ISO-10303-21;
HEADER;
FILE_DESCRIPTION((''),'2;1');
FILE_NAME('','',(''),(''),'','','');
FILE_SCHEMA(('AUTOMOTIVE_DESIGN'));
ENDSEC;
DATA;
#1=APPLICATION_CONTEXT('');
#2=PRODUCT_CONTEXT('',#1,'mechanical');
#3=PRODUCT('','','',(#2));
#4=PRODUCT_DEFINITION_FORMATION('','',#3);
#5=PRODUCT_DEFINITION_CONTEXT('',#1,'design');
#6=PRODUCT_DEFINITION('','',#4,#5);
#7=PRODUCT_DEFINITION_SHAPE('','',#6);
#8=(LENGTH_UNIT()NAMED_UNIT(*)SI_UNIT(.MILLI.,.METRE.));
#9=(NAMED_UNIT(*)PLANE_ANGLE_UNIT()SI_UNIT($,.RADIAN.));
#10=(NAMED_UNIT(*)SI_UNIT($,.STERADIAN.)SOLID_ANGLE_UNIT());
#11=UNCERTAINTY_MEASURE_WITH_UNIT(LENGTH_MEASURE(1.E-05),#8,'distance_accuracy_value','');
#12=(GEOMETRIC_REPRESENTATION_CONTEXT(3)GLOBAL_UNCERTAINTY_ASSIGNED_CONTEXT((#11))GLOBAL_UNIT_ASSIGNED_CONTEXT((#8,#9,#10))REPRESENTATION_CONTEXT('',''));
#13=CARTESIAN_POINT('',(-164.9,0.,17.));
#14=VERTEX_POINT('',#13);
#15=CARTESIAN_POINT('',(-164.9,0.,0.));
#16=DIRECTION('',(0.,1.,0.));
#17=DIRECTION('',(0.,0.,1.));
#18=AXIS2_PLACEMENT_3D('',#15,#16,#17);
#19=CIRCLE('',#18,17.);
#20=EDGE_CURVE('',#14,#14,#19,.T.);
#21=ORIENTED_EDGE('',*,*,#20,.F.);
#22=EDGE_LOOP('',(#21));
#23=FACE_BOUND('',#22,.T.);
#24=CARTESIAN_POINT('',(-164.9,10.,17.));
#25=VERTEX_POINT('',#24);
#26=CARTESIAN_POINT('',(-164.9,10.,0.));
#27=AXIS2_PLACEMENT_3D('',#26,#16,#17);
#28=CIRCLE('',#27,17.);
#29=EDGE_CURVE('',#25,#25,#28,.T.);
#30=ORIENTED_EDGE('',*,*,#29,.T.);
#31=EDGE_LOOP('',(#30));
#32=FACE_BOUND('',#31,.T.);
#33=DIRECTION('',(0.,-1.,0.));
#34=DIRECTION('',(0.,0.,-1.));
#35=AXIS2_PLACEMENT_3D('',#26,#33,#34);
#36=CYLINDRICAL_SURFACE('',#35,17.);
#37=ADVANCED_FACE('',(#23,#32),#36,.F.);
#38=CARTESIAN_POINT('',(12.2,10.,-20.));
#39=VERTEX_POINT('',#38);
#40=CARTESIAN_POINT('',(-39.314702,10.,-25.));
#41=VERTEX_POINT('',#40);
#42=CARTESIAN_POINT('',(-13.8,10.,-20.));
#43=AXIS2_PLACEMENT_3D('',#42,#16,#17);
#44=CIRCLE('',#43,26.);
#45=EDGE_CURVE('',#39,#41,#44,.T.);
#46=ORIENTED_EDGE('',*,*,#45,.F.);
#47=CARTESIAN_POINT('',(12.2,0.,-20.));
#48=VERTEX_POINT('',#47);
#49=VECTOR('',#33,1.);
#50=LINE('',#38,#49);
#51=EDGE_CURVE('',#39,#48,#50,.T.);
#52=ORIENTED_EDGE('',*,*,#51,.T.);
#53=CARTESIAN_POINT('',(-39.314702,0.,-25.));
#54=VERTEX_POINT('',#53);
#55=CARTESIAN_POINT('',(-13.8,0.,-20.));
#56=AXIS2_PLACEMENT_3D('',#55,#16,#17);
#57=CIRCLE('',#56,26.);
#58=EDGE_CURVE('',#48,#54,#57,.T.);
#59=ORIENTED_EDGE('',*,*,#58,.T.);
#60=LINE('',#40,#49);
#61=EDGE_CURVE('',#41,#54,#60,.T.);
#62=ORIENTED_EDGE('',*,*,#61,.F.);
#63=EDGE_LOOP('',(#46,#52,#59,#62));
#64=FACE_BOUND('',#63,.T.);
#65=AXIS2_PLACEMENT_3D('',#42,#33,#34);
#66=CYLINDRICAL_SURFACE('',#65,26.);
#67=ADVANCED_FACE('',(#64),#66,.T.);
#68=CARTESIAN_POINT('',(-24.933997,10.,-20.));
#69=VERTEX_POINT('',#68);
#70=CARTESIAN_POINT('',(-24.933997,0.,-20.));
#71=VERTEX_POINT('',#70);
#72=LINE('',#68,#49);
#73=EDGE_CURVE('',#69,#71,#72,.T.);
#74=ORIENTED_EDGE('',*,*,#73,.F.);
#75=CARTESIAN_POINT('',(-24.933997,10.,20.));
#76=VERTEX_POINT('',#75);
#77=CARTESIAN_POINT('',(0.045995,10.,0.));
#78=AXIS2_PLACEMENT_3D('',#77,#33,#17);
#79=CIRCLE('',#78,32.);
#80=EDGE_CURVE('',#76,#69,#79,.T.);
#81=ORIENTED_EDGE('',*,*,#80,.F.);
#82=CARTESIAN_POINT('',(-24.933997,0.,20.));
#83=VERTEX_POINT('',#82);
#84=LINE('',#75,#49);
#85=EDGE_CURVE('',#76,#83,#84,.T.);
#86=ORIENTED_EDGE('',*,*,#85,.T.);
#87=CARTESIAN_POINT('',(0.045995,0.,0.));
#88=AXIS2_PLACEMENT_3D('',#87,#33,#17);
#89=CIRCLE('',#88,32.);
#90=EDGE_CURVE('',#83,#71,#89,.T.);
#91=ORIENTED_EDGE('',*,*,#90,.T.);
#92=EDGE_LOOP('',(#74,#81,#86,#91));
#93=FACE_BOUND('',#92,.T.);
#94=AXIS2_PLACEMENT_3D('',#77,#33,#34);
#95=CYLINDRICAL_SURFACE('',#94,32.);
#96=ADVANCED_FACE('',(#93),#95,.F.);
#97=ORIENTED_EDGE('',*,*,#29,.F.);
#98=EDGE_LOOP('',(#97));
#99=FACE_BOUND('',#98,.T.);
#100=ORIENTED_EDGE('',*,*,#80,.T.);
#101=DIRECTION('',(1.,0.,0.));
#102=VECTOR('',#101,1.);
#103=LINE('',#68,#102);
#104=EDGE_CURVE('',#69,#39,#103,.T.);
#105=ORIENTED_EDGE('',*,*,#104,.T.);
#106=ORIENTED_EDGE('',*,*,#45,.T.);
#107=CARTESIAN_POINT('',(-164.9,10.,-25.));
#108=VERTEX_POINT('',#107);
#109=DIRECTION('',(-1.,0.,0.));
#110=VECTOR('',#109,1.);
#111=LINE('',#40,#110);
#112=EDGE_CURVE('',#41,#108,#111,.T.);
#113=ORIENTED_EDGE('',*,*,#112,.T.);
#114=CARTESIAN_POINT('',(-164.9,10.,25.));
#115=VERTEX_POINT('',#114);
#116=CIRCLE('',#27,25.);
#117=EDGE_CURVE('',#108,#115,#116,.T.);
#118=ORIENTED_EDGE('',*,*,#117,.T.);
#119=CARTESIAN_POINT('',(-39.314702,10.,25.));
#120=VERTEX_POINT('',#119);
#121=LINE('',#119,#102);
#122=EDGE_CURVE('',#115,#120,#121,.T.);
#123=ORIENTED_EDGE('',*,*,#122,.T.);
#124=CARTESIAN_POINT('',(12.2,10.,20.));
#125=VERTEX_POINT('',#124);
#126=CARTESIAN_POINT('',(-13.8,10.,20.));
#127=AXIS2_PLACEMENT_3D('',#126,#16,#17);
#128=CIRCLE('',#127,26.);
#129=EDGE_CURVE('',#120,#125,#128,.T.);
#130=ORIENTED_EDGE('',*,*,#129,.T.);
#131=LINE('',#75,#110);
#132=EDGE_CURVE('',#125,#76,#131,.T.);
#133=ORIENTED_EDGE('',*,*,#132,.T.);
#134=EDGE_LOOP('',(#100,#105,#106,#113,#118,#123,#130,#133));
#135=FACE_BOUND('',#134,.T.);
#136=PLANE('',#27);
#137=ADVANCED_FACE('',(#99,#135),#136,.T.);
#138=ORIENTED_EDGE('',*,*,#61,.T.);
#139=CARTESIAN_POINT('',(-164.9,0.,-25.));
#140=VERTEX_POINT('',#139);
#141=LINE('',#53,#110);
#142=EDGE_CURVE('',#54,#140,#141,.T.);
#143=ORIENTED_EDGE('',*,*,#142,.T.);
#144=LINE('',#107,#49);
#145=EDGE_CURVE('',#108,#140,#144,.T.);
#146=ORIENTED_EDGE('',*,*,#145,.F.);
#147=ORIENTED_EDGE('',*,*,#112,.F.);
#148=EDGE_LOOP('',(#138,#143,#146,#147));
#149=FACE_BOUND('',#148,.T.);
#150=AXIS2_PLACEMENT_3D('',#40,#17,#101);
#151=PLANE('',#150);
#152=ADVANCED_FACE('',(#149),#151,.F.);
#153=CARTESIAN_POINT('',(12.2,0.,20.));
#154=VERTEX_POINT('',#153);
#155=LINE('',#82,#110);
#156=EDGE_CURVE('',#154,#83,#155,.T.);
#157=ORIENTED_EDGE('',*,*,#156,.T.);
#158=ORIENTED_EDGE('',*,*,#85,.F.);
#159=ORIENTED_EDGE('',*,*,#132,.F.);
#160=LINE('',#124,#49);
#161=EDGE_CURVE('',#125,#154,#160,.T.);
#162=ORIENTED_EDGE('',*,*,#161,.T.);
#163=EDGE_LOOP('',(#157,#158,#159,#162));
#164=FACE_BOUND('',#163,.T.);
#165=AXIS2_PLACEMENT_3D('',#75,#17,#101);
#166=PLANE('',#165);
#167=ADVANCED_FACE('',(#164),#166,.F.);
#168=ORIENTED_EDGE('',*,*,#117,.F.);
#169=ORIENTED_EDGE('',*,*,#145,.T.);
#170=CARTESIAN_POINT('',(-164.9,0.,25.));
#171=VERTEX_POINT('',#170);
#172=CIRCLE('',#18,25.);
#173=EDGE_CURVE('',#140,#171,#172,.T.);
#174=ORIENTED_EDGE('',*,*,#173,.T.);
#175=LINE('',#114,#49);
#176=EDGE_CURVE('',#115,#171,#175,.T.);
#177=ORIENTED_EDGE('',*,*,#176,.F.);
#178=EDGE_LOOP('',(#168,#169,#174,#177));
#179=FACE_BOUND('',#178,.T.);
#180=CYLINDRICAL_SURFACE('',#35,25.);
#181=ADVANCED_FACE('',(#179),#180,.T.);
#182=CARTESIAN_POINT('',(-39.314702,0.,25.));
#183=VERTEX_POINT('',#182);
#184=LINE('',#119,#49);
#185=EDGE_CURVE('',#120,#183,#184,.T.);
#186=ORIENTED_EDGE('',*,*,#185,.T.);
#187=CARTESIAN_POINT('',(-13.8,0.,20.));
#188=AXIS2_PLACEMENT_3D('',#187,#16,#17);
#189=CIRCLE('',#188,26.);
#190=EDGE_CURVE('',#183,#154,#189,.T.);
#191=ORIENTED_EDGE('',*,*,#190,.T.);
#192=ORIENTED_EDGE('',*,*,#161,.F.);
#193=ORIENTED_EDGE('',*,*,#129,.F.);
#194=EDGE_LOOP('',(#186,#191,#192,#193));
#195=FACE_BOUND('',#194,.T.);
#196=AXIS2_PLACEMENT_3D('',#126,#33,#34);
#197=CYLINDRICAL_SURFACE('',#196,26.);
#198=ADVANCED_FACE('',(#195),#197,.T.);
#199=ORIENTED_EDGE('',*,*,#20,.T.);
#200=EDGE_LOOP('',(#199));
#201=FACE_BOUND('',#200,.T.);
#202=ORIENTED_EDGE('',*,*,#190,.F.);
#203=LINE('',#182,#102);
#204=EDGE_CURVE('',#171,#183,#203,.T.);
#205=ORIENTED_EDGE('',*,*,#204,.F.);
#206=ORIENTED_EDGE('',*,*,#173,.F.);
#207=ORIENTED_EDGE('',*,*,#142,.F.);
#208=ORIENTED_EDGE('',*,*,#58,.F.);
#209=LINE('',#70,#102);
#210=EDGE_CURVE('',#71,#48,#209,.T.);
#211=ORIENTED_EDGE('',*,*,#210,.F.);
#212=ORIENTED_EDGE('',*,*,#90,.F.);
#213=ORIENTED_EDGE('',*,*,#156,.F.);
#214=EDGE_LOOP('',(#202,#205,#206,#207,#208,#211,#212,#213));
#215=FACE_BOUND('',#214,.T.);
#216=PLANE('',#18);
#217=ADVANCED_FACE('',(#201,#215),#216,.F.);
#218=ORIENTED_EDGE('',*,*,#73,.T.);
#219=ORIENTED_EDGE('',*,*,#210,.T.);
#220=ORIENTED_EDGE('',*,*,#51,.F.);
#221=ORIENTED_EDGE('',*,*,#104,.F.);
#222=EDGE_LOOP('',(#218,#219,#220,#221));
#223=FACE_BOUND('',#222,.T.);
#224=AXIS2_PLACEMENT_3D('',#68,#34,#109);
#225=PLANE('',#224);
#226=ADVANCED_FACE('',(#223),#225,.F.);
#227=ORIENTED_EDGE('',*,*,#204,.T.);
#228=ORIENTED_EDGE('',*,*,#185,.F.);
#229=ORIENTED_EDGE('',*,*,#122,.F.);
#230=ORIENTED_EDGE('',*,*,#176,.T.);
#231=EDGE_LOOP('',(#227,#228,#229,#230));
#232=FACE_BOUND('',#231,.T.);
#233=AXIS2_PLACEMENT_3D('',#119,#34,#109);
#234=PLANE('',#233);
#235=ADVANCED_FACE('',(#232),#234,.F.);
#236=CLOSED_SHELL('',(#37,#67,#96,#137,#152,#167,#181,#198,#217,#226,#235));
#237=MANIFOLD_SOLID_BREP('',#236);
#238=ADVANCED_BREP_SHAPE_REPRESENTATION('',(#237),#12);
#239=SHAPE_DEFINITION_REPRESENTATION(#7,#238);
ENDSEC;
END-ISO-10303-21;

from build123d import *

# Parameters (mm, degrees)
SKETCH1_R           = 17
BOSS_EXTRUDE1_DEPTH = 10


with BuildPart() as part:
    # Sketch1 → Boss-Extrude1 (new body)
    with BuildSketch(Plane(origin=(0, 0, 0), x_dir=(1, 0, 0), z_dir=(0, 1, 0))):
        with BuildLine():
            Line((-24.933996638, 20), (12.2, 20))
            ThreePointArc((12.2, 20), (-11.288251879, 45.878391012), (-39.314701644, 25))
            Line((-39.314701644, 25), (-164.9, 25))
            ThreePointArc((-164.9, 25), (-189.9, 0), (-164.9, -25))
            Line((-164.9, -25), (-39.314701644, -25))
            ThreePointArc((-39.314701644, -25), (-11.288251879, -45.878391012), (12.2, -20))
            Line((12.2, -20), (-24.933996638, -20))
            ThreePointArc((-24.933996638, -20), (-31.954004645, 0), (-24.933996638, 20))
        make_face()
        with Locations(Location((-164.9, 0, 0), (0, 0, 270))):
            Circle(SKETCH1_R, mode=Mode.SUBTRACT)
    extrude(amount=BOSS_EXTRUDE1_DEPTH)


solid = part.part
